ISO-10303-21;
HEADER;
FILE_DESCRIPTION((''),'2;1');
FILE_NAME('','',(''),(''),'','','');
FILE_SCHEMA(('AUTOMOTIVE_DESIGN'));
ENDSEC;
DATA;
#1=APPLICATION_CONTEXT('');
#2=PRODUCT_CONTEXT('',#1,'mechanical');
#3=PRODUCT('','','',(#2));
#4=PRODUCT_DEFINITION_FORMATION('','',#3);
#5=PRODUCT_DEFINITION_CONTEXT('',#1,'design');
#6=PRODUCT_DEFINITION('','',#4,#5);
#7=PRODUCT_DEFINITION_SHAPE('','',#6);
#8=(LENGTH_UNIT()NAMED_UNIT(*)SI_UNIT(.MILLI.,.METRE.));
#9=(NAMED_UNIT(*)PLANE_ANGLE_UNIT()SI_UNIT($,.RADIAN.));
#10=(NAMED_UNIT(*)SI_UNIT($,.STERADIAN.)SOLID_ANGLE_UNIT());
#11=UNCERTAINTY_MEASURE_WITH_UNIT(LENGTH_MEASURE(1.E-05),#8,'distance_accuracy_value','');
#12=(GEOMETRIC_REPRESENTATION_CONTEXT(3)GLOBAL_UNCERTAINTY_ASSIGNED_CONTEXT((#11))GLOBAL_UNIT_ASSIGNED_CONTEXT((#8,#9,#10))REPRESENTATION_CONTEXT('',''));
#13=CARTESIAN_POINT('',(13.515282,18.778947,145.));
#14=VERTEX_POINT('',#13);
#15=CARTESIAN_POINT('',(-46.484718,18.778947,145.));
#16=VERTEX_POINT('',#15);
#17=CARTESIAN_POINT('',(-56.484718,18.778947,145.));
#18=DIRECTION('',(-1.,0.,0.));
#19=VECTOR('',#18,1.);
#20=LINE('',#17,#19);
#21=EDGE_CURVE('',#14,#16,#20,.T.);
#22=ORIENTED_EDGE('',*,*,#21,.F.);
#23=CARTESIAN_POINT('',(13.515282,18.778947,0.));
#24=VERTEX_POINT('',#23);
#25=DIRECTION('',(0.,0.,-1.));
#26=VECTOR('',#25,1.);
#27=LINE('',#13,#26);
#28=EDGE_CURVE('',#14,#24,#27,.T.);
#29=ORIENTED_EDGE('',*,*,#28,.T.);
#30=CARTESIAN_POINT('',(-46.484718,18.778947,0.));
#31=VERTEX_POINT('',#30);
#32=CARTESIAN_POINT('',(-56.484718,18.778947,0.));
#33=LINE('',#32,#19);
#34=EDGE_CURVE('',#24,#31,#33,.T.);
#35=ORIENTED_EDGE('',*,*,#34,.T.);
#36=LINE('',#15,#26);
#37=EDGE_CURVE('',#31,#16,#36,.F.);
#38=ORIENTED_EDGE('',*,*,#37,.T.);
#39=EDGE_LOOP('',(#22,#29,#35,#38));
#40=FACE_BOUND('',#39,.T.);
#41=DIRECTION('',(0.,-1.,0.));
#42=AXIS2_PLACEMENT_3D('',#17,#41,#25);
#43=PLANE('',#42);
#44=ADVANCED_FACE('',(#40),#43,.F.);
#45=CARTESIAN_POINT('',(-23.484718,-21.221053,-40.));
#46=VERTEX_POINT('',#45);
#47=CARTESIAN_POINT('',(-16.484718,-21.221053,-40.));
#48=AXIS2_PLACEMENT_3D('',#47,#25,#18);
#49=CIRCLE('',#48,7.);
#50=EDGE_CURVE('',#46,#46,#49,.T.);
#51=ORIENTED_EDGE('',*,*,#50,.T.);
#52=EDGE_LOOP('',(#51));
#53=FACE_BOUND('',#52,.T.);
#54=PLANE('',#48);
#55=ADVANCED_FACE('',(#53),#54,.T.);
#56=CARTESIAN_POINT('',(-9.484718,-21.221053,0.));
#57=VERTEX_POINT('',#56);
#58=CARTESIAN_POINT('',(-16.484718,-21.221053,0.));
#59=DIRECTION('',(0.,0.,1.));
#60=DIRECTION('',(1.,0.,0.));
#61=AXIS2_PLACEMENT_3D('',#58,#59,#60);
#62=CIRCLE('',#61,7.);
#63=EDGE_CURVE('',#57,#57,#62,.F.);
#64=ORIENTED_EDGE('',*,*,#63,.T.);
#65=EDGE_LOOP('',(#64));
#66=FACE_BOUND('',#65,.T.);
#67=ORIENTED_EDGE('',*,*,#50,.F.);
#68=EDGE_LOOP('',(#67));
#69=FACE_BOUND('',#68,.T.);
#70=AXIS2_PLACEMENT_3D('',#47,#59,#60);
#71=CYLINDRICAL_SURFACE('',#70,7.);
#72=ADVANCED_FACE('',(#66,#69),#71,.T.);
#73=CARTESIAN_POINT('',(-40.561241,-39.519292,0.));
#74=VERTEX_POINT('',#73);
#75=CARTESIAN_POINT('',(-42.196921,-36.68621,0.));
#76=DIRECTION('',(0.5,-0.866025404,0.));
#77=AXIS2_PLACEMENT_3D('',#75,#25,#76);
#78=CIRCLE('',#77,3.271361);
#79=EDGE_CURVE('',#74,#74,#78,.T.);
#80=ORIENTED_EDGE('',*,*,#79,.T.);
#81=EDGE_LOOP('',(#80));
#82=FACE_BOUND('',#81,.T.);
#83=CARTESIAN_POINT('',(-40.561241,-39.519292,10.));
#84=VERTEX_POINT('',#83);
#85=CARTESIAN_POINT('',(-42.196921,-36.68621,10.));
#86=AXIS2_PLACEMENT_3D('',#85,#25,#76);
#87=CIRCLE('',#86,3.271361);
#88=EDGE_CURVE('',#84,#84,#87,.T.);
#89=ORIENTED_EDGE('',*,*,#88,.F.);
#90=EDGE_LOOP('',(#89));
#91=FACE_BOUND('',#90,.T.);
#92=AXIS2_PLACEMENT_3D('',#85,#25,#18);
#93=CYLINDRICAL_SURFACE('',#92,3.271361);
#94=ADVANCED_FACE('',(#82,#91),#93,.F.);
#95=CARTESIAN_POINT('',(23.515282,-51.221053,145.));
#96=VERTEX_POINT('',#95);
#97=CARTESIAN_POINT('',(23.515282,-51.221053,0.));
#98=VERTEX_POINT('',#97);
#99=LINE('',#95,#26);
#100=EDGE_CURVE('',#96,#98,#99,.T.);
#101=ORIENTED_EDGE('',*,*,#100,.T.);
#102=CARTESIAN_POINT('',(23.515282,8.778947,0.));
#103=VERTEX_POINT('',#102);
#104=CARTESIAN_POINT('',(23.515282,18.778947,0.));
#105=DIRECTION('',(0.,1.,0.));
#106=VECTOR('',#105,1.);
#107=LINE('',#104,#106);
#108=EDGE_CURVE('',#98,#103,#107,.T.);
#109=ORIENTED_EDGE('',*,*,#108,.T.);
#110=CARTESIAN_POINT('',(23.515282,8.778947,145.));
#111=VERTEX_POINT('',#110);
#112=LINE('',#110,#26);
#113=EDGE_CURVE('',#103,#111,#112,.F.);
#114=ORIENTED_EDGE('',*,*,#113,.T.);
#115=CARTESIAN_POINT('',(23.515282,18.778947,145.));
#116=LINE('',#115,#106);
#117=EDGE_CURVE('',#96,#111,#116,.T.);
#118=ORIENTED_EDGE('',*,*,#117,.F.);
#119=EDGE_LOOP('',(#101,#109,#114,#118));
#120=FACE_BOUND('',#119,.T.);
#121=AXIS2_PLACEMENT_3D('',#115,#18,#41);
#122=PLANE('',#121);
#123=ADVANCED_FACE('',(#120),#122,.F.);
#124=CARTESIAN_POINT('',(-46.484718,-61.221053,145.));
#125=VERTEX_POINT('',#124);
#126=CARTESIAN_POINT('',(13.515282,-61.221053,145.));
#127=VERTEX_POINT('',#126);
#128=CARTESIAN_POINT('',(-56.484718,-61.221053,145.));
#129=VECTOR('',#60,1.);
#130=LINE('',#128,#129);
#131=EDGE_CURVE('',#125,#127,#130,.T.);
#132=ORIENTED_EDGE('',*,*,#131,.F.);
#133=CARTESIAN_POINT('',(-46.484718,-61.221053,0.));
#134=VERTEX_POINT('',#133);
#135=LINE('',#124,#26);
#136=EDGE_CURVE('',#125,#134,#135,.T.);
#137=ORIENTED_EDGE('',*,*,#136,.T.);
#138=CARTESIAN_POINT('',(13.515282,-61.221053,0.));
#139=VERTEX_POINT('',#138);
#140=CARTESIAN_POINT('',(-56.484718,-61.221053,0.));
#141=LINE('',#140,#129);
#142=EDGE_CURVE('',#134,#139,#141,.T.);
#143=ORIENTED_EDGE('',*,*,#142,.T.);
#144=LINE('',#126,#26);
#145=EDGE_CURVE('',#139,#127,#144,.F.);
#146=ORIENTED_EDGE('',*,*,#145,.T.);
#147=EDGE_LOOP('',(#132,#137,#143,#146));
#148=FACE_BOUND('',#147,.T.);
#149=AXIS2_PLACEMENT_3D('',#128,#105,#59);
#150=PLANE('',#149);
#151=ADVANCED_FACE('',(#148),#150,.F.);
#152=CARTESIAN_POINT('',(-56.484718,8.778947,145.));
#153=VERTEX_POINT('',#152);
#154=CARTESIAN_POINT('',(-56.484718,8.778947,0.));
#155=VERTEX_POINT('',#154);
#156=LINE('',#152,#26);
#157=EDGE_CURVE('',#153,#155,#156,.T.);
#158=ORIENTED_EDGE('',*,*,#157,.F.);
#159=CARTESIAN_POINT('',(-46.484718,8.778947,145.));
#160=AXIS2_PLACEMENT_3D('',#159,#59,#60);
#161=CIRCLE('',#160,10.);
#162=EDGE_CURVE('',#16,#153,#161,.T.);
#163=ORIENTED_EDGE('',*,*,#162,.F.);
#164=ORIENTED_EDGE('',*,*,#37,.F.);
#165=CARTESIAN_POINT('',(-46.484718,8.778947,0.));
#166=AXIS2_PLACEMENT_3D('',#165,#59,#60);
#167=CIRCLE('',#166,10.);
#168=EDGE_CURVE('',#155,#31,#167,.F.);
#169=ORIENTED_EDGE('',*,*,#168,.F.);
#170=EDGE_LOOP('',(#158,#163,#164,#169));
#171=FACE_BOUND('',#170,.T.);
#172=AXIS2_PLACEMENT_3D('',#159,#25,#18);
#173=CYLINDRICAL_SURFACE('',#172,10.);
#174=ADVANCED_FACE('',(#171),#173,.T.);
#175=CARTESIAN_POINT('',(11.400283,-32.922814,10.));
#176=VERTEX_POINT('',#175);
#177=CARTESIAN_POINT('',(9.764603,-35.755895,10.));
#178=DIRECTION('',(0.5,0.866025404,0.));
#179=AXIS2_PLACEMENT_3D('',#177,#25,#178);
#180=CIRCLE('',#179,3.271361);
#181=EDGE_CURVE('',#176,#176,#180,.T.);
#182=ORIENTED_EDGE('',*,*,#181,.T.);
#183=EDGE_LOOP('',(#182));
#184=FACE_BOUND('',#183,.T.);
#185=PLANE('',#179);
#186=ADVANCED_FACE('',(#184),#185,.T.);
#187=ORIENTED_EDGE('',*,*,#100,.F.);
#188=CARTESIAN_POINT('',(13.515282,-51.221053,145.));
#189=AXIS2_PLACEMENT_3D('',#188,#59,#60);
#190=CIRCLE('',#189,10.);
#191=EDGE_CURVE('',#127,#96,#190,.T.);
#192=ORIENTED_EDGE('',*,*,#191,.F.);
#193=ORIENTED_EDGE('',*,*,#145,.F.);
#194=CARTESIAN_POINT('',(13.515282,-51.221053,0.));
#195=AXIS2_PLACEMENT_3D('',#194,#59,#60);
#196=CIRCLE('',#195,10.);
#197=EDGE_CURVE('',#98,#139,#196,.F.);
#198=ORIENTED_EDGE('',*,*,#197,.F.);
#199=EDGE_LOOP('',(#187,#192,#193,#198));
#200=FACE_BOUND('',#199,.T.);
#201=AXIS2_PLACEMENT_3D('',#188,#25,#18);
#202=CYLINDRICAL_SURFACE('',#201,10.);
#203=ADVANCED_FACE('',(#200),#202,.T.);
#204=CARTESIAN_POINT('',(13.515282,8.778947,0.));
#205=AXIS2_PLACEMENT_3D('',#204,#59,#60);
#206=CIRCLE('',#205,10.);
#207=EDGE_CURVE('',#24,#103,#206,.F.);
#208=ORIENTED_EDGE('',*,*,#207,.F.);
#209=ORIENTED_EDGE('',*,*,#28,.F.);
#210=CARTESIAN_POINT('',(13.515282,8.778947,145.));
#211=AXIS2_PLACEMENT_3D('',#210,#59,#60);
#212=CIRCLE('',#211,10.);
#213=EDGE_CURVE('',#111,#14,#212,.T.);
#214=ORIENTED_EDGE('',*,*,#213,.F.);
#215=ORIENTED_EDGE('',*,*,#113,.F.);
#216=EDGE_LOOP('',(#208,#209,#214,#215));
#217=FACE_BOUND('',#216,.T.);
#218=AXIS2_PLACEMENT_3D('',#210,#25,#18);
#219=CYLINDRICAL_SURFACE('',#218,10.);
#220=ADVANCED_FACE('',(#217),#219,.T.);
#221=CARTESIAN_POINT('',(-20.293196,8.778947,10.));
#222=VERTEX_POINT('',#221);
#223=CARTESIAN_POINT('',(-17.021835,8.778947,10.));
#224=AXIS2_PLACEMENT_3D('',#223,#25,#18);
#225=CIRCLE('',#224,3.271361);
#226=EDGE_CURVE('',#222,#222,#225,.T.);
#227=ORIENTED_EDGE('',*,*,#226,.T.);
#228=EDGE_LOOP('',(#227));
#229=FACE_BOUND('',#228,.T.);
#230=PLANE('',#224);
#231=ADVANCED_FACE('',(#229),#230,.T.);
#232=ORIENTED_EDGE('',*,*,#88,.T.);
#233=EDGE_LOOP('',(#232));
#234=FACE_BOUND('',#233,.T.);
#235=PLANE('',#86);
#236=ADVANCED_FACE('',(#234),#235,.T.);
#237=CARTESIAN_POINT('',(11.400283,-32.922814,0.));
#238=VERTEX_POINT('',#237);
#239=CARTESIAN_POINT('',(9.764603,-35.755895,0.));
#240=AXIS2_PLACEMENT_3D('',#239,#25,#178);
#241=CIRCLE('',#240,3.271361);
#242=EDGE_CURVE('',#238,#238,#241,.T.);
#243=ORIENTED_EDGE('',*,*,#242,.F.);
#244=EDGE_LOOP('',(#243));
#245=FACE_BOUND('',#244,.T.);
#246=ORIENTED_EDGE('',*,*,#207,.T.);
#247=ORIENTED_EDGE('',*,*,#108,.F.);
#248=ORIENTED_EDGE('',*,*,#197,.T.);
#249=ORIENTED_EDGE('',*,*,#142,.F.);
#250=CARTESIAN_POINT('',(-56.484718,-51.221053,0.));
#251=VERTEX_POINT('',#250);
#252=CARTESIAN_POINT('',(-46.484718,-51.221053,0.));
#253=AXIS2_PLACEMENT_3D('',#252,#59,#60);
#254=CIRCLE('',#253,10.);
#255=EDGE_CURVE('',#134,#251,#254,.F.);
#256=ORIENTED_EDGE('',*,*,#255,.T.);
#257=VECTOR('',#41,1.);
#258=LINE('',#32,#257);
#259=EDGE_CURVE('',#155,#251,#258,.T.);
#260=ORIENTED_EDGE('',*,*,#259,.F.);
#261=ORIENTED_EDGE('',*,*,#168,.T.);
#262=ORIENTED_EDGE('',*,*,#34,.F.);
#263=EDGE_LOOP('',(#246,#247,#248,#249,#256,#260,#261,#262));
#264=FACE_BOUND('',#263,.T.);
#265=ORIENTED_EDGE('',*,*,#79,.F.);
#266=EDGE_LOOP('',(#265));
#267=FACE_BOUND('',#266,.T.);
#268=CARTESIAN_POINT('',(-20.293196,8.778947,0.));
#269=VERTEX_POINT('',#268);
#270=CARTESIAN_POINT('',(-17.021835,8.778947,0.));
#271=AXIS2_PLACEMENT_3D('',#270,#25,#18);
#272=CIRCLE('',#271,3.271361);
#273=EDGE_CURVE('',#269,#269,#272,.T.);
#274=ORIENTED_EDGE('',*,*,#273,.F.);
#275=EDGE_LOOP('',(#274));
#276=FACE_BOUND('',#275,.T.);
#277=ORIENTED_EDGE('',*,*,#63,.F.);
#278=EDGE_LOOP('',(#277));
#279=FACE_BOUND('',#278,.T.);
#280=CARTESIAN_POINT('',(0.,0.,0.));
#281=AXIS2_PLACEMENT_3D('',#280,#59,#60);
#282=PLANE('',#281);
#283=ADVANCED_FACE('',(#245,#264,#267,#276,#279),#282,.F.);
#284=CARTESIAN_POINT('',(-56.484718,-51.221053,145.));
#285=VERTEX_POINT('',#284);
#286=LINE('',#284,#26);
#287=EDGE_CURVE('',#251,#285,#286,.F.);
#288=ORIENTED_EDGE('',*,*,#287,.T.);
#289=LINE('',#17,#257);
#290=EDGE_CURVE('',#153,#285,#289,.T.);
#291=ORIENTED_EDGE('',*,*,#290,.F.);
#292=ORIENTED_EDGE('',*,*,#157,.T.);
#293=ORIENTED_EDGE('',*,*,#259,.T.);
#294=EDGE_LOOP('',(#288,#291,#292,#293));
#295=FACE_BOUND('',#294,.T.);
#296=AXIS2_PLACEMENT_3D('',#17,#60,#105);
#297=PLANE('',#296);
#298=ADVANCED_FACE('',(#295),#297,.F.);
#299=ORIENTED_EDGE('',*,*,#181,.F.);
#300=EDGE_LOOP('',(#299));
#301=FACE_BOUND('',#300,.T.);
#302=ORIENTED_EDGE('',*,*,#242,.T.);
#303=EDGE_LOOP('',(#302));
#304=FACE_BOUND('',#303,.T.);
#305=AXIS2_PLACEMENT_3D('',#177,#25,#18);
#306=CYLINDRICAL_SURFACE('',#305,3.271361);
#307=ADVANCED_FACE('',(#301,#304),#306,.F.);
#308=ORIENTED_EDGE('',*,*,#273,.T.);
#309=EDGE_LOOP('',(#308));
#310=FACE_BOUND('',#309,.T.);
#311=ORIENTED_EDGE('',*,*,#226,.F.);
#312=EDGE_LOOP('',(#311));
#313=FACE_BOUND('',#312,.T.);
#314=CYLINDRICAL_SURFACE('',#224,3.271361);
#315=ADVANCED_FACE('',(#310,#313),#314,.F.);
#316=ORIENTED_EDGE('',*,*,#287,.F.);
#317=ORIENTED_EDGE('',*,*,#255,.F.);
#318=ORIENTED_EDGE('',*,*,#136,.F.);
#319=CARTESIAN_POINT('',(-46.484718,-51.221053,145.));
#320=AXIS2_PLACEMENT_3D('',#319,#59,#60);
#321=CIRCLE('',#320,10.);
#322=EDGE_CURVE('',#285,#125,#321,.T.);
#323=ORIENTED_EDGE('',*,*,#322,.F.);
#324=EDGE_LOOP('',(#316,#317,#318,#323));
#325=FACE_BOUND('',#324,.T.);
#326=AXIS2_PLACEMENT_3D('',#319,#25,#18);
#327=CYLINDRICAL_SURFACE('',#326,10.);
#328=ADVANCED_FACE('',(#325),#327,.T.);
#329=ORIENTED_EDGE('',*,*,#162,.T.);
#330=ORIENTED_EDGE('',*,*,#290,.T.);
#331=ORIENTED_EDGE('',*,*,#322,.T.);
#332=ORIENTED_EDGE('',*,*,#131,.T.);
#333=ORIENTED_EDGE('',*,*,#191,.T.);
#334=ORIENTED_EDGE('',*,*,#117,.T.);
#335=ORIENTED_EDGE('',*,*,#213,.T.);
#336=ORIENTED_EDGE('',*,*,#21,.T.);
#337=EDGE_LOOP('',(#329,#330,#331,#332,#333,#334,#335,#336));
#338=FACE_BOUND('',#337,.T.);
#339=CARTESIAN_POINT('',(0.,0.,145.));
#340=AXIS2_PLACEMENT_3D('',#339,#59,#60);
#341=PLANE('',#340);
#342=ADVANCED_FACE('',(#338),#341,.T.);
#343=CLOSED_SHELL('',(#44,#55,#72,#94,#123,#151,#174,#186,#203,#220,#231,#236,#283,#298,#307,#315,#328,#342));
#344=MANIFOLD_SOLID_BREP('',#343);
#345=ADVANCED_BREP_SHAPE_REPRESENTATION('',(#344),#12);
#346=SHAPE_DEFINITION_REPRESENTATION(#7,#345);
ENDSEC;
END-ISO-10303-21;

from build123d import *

# Parameters (mm, degrees)
SKETCH_1_W               = 80
SKETCH_1_H               = 80
EXTRUDE_1_DEPTH          = 145
FILLET_1_R               = 10
SKETCH_2_R               = 7
EXTRUDE_2_DEPTH          = 40
SKETCH_3_R               = 3.271360977
CUT_EXTRUDE_1_DEPTH      = 10
PATTERN_CIRCULAR_1_COUNT = 3


with BuildPart() as part:
    # Эскиз1 → Бобышка-Вытянуть1 (new body)
    with BuildSketch(Plane.XY):
        with Locations((-16.484717947, -21.221052632)):
            Rectangle(SKETCH_1_W, SKETCH_1_H)
    extrude(amount=EXTRUDE_1_DEPTH)

    # Скругление1
    fillet_1_edges = [part.edges().sort_by_distance(p)[0] for p in [
        (-56.484717947, 18.778947368, 72.5),
        (23.515282053, 18.778947368, 72.5),
        (23.515282053, -61.221052632, 72.5),
        (-56.484717947, -61.221052632, 72.5),
    ]]
    fillet(fillet_1_edges, radius=FILLET_1_R)

    # Эскиз2 → Бобышка-Вытянуть2 (add)
    with BuildSketch(Plane(origin=(0, 0, 0), x_dir=(-1, 0, 0), z_dir=(0, 0, -1))):
        with Locations((16.484717947, -21.221052632)):
            Circle(SKETCH_2_R)
    extrude(amount=EXTRUDE_2_DEPTH)

    # Эскиз3 → Вырез-Вытянуть1 (cut)
    with BuildSketch(Plane(origin=(0, 0, 0), x_dir=(-1, 0, 0), z_dir=(0, 0, -1))):
        with Locations((17.021835437, 8.778947368)):
            Circle(SKETCH_3_R)
    cut_extrude_1 = extrude(amount=-CUT_EXTRUDE_1_DEPTH, mode=Mode.SUBTRACT)

    # Круговой массив1: Вырез-Вытянуть1 ×3 about axis
    pattern_circular_1_axis = Axis((-16.484717947, -21.221052632, 0), (0, 0, 1))
    for i in range(1, PATTERN_CIRCULAR_1_COUNT):
        add(cut_extrude_1.rotate(pattern_circular_1_axis, i * 360 / PATTERN_CIRCULAR_1_COUNT), mode=Mode.SUBTRACT)


solid = part.part
